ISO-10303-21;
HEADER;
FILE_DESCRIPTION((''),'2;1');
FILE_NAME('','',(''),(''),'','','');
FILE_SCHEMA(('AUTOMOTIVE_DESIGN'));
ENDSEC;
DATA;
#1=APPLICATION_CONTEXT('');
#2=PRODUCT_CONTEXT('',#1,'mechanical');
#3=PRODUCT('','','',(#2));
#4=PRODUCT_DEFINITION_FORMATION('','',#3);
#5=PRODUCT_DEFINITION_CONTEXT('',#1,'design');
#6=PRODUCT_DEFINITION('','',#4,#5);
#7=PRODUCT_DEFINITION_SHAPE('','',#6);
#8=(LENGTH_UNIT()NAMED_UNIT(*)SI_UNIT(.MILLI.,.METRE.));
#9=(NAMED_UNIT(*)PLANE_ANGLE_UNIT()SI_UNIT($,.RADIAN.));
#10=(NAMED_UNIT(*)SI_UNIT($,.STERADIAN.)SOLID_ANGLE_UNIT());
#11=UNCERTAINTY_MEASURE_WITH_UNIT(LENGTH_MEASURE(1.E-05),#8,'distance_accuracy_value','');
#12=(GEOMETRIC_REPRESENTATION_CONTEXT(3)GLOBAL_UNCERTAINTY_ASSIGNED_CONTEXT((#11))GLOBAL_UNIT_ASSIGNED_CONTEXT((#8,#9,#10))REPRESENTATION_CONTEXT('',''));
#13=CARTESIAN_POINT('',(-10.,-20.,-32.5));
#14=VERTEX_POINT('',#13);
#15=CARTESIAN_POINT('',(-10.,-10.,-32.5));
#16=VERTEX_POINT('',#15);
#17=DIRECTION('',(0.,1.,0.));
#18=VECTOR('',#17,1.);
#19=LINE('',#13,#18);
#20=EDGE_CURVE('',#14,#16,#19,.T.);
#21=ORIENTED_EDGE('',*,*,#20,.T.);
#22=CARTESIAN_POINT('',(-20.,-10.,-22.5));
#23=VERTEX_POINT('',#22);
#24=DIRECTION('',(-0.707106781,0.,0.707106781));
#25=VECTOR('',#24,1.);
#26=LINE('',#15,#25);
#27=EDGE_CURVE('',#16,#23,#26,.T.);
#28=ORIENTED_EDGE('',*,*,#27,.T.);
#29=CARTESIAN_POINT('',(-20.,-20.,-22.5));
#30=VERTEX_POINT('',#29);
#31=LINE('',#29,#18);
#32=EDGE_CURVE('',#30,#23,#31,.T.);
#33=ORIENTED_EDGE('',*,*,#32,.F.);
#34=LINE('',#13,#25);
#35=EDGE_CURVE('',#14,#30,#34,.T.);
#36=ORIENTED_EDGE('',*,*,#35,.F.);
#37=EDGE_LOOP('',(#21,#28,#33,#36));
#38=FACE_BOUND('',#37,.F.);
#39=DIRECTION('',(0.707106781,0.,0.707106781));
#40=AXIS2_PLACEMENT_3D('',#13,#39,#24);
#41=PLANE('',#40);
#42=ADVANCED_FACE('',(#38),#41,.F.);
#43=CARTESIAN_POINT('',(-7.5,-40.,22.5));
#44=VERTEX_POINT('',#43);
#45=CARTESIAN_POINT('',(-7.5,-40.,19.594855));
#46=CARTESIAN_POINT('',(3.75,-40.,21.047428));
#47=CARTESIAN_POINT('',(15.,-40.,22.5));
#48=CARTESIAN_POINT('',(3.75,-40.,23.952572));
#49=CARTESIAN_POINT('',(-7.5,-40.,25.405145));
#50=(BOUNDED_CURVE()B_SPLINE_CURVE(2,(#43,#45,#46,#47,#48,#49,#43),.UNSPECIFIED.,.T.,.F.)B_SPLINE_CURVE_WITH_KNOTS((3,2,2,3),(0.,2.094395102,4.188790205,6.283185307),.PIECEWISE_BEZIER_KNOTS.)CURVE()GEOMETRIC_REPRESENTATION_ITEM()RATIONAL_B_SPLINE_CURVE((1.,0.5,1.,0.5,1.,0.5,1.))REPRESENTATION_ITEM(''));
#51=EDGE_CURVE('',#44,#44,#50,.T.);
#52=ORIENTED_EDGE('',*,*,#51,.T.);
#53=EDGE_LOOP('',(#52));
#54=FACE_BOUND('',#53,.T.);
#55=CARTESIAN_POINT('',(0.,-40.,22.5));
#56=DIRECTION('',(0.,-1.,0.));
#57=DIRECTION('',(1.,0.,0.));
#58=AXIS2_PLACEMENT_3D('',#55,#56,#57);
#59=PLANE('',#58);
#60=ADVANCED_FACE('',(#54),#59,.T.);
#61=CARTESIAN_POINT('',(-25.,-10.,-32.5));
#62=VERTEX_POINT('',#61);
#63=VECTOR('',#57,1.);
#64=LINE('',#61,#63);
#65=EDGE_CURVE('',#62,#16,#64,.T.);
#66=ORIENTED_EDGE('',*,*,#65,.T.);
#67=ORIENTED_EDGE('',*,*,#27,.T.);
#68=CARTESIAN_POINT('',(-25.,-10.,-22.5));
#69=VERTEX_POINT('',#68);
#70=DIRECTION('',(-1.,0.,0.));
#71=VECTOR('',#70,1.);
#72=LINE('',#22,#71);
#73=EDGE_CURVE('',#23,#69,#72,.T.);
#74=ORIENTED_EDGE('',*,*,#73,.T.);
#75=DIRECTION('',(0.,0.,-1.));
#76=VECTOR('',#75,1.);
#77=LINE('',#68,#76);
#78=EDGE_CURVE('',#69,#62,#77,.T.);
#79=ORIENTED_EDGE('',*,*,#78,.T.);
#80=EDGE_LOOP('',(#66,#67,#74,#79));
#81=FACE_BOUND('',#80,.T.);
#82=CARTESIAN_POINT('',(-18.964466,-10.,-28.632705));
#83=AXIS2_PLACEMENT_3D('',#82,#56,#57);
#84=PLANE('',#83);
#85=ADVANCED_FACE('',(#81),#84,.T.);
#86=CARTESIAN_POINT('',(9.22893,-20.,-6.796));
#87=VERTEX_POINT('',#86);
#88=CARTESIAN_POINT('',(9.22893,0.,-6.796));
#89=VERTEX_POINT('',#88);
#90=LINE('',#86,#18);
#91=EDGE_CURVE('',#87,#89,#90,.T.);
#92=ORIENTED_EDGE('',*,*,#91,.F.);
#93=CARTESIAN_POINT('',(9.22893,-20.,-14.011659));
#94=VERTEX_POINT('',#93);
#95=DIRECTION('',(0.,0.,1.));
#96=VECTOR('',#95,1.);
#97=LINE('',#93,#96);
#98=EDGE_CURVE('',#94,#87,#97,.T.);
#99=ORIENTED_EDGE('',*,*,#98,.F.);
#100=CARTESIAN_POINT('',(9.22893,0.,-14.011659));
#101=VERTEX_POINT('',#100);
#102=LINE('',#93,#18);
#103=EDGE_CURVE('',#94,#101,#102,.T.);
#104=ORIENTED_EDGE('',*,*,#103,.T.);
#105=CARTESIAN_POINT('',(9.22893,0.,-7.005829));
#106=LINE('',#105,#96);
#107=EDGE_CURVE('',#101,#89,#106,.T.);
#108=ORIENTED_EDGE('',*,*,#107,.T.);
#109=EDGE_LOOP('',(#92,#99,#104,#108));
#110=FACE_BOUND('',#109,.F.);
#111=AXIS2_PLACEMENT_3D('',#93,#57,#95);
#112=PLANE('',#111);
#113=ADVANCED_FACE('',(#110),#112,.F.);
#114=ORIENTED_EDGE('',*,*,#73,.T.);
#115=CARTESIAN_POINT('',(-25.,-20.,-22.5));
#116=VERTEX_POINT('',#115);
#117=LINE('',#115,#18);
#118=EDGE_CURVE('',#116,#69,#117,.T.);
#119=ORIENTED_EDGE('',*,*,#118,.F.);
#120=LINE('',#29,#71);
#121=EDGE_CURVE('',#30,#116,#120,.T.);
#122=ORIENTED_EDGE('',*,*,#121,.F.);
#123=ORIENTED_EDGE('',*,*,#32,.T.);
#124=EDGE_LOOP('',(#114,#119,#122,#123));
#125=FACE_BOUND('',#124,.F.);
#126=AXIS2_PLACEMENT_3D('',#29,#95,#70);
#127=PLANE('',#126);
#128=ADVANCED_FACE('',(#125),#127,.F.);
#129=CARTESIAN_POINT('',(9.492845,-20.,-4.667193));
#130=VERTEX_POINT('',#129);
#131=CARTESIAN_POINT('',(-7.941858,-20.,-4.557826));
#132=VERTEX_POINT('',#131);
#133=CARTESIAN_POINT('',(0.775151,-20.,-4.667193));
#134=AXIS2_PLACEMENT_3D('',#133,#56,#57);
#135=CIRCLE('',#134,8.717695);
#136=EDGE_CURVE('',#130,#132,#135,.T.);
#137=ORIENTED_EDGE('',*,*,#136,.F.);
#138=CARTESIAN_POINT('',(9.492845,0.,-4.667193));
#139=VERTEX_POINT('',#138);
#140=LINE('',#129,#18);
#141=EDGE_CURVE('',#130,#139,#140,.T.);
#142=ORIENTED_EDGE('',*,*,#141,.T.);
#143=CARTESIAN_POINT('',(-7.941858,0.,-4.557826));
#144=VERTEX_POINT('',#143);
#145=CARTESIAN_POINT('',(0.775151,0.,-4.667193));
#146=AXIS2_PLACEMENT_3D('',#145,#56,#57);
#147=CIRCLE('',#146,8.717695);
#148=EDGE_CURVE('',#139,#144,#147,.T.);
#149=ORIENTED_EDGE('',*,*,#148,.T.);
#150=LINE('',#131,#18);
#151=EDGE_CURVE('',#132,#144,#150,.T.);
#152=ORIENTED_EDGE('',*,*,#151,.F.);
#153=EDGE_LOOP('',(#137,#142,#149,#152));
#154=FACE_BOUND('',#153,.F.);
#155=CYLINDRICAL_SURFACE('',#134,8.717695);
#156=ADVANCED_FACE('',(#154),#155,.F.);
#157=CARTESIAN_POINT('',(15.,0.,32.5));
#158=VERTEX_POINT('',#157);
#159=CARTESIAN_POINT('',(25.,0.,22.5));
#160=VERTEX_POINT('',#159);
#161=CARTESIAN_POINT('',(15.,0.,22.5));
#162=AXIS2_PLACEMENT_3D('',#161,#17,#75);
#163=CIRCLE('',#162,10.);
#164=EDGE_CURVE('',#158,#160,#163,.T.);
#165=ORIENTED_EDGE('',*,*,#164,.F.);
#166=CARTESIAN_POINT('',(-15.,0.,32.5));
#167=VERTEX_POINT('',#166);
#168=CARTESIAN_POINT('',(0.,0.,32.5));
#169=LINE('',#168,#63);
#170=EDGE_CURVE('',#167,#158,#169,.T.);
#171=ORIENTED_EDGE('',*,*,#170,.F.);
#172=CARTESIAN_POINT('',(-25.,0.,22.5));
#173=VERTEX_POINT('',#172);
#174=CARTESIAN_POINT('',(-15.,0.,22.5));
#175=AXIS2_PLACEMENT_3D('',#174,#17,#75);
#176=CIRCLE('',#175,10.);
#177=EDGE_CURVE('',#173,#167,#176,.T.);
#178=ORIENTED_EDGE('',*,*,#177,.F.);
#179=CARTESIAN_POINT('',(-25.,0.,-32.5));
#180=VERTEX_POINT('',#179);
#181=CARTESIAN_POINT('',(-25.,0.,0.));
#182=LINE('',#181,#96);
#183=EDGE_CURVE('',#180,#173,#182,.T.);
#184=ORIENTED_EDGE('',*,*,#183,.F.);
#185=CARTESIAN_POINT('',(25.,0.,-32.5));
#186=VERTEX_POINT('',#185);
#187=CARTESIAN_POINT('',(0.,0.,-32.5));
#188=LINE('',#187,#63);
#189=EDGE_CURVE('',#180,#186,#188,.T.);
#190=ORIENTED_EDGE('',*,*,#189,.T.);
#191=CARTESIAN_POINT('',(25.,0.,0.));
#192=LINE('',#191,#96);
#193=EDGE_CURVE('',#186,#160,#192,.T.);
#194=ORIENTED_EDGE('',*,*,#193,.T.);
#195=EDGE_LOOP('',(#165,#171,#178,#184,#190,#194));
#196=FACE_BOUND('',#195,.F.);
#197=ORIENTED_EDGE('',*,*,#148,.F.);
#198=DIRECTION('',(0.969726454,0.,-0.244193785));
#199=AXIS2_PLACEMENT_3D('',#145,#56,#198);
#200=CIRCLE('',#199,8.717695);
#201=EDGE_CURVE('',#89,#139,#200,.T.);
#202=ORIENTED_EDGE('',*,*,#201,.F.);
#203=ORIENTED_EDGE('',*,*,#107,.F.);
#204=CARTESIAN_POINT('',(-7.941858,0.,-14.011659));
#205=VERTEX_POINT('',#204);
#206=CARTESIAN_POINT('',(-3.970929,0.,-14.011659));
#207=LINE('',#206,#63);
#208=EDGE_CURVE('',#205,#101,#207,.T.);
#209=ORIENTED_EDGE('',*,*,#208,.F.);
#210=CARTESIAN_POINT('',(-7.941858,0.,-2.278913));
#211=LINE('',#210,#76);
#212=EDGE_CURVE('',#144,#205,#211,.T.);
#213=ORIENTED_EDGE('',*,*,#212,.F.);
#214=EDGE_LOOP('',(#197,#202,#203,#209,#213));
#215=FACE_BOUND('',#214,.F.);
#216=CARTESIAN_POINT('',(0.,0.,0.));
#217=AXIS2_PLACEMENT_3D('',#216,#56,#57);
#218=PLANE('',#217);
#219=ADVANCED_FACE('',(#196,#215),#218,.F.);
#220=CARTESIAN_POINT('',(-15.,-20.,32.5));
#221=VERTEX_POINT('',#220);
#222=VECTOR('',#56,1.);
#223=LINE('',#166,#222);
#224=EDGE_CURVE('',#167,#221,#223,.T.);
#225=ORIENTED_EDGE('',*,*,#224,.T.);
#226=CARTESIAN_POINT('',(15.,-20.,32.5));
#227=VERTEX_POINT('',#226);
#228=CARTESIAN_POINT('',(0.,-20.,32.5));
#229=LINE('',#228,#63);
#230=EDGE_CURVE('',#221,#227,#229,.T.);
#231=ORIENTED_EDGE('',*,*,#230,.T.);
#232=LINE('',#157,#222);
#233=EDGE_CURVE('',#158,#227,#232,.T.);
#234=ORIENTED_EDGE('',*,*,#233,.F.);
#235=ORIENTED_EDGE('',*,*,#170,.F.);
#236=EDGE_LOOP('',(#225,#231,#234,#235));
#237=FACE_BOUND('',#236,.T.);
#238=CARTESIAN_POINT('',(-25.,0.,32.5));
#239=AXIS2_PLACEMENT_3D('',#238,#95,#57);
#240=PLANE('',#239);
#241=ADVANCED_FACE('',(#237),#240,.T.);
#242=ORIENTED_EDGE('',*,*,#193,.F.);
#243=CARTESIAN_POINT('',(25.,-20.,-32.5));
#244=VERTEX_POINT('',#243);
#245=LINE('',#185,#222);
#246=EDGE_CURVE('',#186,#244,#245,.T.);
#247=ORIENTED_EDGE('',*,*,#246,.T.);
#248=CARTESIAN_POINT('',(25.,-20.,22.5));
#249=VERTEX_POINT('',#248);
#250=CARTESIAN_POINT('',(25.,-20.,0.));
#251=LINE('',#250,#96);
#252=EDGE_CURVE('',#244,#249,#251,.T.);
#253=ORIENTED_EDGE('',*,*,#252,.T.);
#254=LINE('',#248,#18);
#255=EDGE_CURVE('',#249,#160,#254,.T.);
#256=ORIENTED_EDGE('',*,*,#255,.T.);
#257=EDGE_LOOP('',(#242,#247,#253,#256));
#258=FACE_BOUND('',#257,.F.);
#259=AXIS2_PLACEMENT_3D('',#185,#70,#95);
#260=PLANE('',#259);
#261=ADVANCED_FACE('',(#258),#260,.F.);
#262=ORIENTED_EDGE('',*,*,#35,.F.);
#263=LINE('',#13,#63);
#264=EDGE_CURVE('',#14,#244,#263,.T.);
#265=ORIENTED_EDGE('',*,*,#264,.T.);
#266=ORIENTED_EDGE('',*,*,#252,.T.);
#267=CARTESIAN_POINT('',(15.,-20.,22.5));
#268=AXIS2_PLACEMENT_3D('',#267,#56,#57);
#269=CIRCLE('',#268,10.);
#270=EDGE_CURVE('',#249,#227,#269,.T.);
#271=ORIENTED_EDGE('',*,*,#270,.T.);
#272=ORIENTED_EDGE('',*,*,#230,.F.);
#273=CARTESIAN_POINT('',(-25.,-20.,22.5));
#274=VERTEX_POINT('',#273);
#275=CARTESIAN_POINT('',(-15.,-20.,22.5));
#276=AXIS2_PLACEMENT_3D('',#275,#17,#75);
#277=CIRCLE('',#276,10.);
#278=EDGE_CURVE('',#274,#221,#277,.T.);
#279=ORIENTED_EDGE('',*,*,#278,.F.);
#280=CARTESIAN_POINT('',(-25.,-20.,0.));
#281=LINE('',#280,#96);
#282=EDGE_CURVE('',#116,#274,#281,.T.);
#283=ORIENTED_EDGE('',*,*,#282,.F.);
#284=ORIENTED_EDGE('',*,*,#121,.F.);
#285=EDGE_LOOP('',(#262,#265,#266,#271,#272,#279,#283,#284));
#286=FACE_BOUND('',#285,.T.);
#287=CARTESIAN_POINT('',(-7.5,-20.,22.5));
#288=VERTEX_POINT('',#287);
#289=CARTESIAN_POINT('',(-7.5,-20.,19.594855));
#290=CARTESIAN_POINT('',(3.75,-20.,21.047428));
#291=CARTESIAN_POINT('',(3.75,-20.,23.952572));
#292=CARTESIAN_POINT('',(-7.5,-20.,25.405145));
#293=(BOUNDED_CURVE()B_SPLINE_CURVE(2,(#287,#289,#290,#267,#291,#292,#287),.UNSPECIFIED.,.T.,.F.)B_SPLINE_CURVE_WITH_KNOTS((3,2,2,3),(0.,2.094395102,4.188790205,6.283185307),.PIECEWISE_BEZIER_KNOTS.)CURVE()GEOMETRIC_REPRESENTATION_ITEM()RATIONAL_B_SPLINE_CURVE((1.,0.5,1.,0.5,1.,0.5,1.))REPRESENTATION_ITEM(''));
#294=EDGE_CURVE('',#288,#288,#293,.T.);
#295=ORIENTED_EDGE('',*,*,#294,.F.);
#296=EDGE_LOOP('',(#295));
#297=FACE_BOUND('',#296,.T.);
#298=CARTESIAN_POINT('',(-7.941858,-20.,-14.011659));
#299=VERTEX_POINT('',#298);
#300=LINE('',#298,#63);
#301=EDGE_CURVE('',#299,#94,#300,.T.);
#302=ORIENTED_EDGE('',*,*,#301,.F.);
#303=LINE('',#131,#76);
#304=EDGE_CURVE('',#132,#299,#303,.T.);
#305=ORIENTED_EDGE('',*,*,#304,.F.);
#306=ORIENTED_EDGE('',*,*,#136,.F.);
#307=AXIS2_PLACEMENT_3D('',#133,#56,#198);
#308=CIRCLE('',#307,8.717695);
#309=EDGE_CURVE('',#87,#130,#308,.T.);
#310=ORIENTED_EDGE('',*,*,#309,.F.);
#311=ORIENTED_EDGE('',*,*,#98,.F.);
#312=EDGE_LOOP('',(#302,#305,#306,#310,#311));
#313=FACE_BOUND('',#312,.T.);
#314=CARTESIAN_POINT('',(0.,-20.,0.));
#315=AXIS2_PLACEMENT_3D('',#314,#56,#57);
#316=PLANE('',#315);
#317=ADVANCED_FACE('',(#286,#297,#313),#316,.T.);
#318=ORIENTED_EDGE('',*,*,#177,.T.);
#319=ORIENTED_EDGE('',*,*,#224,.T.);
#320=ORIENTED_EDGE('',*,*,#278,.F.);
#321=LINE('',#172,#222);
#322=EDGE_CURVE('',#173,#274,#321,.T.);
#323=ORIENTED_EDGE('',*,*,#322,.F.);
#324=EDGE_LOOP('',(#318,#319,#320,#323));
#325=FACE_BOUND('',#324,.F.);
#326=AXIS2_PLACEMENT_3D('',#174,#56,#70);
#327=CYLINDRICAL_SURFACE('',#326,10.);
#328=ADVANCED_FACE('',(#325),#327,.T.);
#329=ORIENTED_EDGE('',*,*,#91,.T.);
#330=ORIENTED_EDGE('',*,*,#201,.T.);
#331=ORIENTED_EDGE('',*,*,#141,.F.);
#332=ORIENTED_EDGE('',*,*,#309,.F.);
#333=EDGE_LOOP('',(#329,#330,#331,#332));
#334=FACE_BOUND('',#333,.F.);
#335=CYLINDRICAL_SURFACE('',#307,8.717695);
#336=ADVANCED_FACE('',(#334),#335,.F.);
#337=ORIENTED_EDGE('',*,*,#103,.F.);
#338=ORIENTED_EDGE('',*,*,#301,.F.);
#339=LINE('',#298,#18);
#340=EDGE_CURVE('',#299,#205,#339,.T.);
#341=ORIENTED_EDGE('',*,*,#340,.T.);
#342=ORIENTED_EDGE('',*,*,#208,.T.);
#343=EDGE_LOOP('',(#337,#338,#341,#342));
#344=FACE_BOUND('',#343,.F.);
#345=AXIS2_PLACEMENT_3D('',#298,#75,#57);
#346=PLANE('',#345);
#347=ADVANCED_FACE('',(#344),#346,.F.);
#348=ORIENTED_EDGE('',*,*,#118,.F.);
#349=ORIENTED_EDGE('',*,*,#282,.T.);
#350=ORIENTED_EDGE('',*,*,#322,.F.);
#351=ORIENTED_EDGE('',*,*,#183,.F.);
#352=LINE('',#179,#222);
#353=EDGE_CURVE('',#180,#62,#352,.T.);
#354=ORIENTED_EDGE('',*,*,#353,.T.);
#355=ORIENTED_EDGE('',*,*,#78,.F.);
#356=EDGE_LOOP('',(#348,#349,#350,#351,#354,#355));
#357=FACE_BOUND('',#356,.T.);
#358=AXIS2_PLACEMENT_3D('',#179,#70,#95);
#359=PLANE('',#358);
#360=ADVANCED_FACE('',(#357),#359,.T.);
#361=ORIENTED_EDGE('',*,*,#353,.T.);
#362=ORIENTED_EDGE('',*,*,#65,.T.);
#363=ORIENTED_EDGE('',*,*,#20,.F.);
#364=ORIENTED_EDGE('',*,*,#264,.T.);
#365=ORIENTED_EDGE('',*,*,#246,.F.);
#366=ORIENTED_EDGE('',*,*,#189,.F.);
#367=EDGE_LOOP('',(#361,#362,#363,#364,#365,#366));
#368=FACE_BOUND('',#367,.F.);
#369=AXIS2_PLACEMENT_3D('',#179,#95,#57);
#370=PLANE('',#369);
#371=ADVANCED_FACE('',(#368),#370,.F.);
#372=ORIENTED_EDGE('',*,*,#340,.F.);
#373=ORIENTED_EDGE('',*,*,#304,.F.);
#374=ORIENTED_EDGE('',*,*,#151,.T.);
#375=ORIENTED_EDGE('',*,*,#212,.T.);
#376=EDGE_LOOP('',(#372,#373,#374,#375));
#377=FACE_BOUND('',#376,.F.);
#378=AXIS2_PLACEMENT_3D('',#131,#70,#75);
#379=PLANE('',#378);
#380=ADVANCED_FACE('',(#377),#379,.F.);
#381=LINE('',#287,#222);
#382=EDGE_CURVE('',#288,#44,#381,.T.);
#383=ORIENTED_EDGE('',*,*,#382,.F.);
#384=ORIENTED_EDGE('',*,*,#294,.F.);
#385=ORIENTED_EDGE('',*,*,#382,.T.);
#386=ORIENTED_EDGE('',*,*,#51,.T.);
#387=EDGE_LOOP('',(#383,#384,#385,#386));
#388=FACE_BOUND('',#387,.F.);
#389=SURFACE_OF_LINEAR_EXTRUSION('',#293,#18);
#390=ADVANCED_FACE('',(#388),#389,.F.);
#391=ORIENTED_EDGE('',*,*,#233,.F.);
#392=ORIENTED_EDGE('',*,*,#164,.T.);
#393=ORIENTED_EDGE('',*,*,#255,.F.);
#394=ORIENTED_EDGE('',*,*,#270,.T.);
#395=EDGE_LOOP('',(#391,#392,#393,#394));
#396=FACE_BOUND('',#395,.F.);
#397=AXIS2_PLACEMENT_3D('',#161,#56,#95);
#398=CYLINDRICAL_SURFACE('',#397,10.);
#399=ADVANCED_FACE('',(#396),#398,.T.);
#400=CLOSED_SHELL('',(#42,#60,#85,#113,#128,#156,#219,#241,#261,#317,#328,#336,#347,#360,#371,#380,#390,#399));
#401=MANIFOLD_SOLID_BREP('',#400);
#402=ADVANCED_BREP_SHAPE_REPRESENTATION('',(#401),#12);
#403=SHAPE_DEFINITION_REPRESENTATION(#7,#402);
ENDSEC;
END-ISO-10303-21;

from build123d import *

# Parameters (mm, degrees)
F0_W          = 50
F0_H          = 65
F1_DEPTH      = 20
F3_DEPTH      = 25.4
F3_DEPTH_BACK = 25.4
F4_R          = 10
F6_DEPTH      = 10
F8_DEPTH      = 20
F10_DEPTH     = 65.0010001


with BuildPart() as f1:
    # F0 (on Front) → F1 (new body)
    with BuildSketch(Plane.XZ):
        Rectangle(F0_W, F0_H)
    extrude(amount=F1_DEPTH)

    # F2 (on face) → F3 (cut, two sides)
    with BuildSketch(Plane.XZ.offset(20)) as f3_sk:
        with BuildLine():
            Line((-7.9418579116, -14.0116587281), (9.2289298773, -14.0116587281))
            Line((9.2289298773, -14.0116587281), (9.2289298773, -6.7959995619))
            ThreePointArc((9.2289298773, -6.7959995619), (-0.2431108887, -13.3252146406), (-7.9418579116, -4.7765597701))
            Line((-7.9418579116, -4.7765597701), (-7.9418579116, -14.0116587281))
        make_face()
        with BuildLine():
            Line((9.2289298773, -4.5578256249), (9.2289298773, -6.7959995619))
            ThreePointArc((9.2289298773, -6.7959995619), (9.4266149422, -5.7397445697), (9.4928454099, -4.6671926975))
            ThreePointArc((9.4928454099, -4.6671926975), (0.8298353341, 4.0503304752), (-7.9418579116, -4.5578256249))
            Line((-7.9418579116, -4.5578256249), (9.2289298773, -4.5578256249))
        make_face()
        with BuildLine():
            ThreePointArc((-7.9418579116, -4.7765597701), (-0.2431108887, -13.3252146406), (9.2289298773, -6.7959995619))
            Line((9.2289298773, -6.7959995619), (9.2289298773, -4.5578256249))
            Line((9.2289298773, -4.5578256249), (-7.9418579116, -4.5578256249))
            Line((-7.9418579116, -4.5578256249), (-7.9418579116, -4.7765597701))
        make_face()
    extrude(amount=F3_DEPTH, mode=Mode.SUBTRACT)
    extrude(f3_sk.sketch, amount=-F3_DEPTH_BACK, mode=Mode.SUBTRACT)

    # F4
    f4_edges = [f1.edges().sort_by_distance(p)[0] for p in [
        (25, -10, 32.5),
        (-25, -10, 32.5),
    ]]
    fillet(f4_edges, radius=F4_R)

    # F5 (on face) → F6 (cut)
    with BuildSketch(Plane.XZ.offset(20)):
        Polygon((-20, -22.5), (-25, -22.5), (-25, -32.5), (-10, -32.5), align=None)
    extrude(amount=-F6_DEPTH, mode=Mode.SUBTRACT)

    # F7 (on face) → F8 (join)
    with BuildSketch(Plane.XZ.offset(20)):
        with BuildLine():
            add(Edge.make_bspline(
                [(-7.5, 22.5), (-7.5, 19.5948551827), (3.75, 21.0474275913), (15, 22.5), (3.75, 23.9525724087), (-7.5, 25.4051448173), (-7.5, 22.5)],
                knots=[0, 0, 0, 2.0943951024, 2.0943951024, 4.1887902048, 4.1887902048, 6.2831853072, 6.2831853072, 6.2831853072], degree=2, weights=[1, 0.5, 1, 0.5, 1, 0.5, 1]))
        make_face()
    extrude(amount=F8_DEPTH)

    # F9 (on face) → F10 (cut, through all)
    with BuildSketch(Plane(origin=(0, 0, -32.5), x_dir=(1, 0, 0), z_dir=(0, 0, -1))):
        with BuildLine():
            ThreePointArc((25, 15), (28.5355339059, 16.4644660941), (30, 20))
            ThreePointArc((30, 20), (25, 25), (20, 20))
            Line((20, 20), (25, 20))
            Line((25, 20), (25, 15))
        make_face()
    extrude(amount=-F10_DEPTH, mode=Mode.SUBTRACT)


solid = f1.part
